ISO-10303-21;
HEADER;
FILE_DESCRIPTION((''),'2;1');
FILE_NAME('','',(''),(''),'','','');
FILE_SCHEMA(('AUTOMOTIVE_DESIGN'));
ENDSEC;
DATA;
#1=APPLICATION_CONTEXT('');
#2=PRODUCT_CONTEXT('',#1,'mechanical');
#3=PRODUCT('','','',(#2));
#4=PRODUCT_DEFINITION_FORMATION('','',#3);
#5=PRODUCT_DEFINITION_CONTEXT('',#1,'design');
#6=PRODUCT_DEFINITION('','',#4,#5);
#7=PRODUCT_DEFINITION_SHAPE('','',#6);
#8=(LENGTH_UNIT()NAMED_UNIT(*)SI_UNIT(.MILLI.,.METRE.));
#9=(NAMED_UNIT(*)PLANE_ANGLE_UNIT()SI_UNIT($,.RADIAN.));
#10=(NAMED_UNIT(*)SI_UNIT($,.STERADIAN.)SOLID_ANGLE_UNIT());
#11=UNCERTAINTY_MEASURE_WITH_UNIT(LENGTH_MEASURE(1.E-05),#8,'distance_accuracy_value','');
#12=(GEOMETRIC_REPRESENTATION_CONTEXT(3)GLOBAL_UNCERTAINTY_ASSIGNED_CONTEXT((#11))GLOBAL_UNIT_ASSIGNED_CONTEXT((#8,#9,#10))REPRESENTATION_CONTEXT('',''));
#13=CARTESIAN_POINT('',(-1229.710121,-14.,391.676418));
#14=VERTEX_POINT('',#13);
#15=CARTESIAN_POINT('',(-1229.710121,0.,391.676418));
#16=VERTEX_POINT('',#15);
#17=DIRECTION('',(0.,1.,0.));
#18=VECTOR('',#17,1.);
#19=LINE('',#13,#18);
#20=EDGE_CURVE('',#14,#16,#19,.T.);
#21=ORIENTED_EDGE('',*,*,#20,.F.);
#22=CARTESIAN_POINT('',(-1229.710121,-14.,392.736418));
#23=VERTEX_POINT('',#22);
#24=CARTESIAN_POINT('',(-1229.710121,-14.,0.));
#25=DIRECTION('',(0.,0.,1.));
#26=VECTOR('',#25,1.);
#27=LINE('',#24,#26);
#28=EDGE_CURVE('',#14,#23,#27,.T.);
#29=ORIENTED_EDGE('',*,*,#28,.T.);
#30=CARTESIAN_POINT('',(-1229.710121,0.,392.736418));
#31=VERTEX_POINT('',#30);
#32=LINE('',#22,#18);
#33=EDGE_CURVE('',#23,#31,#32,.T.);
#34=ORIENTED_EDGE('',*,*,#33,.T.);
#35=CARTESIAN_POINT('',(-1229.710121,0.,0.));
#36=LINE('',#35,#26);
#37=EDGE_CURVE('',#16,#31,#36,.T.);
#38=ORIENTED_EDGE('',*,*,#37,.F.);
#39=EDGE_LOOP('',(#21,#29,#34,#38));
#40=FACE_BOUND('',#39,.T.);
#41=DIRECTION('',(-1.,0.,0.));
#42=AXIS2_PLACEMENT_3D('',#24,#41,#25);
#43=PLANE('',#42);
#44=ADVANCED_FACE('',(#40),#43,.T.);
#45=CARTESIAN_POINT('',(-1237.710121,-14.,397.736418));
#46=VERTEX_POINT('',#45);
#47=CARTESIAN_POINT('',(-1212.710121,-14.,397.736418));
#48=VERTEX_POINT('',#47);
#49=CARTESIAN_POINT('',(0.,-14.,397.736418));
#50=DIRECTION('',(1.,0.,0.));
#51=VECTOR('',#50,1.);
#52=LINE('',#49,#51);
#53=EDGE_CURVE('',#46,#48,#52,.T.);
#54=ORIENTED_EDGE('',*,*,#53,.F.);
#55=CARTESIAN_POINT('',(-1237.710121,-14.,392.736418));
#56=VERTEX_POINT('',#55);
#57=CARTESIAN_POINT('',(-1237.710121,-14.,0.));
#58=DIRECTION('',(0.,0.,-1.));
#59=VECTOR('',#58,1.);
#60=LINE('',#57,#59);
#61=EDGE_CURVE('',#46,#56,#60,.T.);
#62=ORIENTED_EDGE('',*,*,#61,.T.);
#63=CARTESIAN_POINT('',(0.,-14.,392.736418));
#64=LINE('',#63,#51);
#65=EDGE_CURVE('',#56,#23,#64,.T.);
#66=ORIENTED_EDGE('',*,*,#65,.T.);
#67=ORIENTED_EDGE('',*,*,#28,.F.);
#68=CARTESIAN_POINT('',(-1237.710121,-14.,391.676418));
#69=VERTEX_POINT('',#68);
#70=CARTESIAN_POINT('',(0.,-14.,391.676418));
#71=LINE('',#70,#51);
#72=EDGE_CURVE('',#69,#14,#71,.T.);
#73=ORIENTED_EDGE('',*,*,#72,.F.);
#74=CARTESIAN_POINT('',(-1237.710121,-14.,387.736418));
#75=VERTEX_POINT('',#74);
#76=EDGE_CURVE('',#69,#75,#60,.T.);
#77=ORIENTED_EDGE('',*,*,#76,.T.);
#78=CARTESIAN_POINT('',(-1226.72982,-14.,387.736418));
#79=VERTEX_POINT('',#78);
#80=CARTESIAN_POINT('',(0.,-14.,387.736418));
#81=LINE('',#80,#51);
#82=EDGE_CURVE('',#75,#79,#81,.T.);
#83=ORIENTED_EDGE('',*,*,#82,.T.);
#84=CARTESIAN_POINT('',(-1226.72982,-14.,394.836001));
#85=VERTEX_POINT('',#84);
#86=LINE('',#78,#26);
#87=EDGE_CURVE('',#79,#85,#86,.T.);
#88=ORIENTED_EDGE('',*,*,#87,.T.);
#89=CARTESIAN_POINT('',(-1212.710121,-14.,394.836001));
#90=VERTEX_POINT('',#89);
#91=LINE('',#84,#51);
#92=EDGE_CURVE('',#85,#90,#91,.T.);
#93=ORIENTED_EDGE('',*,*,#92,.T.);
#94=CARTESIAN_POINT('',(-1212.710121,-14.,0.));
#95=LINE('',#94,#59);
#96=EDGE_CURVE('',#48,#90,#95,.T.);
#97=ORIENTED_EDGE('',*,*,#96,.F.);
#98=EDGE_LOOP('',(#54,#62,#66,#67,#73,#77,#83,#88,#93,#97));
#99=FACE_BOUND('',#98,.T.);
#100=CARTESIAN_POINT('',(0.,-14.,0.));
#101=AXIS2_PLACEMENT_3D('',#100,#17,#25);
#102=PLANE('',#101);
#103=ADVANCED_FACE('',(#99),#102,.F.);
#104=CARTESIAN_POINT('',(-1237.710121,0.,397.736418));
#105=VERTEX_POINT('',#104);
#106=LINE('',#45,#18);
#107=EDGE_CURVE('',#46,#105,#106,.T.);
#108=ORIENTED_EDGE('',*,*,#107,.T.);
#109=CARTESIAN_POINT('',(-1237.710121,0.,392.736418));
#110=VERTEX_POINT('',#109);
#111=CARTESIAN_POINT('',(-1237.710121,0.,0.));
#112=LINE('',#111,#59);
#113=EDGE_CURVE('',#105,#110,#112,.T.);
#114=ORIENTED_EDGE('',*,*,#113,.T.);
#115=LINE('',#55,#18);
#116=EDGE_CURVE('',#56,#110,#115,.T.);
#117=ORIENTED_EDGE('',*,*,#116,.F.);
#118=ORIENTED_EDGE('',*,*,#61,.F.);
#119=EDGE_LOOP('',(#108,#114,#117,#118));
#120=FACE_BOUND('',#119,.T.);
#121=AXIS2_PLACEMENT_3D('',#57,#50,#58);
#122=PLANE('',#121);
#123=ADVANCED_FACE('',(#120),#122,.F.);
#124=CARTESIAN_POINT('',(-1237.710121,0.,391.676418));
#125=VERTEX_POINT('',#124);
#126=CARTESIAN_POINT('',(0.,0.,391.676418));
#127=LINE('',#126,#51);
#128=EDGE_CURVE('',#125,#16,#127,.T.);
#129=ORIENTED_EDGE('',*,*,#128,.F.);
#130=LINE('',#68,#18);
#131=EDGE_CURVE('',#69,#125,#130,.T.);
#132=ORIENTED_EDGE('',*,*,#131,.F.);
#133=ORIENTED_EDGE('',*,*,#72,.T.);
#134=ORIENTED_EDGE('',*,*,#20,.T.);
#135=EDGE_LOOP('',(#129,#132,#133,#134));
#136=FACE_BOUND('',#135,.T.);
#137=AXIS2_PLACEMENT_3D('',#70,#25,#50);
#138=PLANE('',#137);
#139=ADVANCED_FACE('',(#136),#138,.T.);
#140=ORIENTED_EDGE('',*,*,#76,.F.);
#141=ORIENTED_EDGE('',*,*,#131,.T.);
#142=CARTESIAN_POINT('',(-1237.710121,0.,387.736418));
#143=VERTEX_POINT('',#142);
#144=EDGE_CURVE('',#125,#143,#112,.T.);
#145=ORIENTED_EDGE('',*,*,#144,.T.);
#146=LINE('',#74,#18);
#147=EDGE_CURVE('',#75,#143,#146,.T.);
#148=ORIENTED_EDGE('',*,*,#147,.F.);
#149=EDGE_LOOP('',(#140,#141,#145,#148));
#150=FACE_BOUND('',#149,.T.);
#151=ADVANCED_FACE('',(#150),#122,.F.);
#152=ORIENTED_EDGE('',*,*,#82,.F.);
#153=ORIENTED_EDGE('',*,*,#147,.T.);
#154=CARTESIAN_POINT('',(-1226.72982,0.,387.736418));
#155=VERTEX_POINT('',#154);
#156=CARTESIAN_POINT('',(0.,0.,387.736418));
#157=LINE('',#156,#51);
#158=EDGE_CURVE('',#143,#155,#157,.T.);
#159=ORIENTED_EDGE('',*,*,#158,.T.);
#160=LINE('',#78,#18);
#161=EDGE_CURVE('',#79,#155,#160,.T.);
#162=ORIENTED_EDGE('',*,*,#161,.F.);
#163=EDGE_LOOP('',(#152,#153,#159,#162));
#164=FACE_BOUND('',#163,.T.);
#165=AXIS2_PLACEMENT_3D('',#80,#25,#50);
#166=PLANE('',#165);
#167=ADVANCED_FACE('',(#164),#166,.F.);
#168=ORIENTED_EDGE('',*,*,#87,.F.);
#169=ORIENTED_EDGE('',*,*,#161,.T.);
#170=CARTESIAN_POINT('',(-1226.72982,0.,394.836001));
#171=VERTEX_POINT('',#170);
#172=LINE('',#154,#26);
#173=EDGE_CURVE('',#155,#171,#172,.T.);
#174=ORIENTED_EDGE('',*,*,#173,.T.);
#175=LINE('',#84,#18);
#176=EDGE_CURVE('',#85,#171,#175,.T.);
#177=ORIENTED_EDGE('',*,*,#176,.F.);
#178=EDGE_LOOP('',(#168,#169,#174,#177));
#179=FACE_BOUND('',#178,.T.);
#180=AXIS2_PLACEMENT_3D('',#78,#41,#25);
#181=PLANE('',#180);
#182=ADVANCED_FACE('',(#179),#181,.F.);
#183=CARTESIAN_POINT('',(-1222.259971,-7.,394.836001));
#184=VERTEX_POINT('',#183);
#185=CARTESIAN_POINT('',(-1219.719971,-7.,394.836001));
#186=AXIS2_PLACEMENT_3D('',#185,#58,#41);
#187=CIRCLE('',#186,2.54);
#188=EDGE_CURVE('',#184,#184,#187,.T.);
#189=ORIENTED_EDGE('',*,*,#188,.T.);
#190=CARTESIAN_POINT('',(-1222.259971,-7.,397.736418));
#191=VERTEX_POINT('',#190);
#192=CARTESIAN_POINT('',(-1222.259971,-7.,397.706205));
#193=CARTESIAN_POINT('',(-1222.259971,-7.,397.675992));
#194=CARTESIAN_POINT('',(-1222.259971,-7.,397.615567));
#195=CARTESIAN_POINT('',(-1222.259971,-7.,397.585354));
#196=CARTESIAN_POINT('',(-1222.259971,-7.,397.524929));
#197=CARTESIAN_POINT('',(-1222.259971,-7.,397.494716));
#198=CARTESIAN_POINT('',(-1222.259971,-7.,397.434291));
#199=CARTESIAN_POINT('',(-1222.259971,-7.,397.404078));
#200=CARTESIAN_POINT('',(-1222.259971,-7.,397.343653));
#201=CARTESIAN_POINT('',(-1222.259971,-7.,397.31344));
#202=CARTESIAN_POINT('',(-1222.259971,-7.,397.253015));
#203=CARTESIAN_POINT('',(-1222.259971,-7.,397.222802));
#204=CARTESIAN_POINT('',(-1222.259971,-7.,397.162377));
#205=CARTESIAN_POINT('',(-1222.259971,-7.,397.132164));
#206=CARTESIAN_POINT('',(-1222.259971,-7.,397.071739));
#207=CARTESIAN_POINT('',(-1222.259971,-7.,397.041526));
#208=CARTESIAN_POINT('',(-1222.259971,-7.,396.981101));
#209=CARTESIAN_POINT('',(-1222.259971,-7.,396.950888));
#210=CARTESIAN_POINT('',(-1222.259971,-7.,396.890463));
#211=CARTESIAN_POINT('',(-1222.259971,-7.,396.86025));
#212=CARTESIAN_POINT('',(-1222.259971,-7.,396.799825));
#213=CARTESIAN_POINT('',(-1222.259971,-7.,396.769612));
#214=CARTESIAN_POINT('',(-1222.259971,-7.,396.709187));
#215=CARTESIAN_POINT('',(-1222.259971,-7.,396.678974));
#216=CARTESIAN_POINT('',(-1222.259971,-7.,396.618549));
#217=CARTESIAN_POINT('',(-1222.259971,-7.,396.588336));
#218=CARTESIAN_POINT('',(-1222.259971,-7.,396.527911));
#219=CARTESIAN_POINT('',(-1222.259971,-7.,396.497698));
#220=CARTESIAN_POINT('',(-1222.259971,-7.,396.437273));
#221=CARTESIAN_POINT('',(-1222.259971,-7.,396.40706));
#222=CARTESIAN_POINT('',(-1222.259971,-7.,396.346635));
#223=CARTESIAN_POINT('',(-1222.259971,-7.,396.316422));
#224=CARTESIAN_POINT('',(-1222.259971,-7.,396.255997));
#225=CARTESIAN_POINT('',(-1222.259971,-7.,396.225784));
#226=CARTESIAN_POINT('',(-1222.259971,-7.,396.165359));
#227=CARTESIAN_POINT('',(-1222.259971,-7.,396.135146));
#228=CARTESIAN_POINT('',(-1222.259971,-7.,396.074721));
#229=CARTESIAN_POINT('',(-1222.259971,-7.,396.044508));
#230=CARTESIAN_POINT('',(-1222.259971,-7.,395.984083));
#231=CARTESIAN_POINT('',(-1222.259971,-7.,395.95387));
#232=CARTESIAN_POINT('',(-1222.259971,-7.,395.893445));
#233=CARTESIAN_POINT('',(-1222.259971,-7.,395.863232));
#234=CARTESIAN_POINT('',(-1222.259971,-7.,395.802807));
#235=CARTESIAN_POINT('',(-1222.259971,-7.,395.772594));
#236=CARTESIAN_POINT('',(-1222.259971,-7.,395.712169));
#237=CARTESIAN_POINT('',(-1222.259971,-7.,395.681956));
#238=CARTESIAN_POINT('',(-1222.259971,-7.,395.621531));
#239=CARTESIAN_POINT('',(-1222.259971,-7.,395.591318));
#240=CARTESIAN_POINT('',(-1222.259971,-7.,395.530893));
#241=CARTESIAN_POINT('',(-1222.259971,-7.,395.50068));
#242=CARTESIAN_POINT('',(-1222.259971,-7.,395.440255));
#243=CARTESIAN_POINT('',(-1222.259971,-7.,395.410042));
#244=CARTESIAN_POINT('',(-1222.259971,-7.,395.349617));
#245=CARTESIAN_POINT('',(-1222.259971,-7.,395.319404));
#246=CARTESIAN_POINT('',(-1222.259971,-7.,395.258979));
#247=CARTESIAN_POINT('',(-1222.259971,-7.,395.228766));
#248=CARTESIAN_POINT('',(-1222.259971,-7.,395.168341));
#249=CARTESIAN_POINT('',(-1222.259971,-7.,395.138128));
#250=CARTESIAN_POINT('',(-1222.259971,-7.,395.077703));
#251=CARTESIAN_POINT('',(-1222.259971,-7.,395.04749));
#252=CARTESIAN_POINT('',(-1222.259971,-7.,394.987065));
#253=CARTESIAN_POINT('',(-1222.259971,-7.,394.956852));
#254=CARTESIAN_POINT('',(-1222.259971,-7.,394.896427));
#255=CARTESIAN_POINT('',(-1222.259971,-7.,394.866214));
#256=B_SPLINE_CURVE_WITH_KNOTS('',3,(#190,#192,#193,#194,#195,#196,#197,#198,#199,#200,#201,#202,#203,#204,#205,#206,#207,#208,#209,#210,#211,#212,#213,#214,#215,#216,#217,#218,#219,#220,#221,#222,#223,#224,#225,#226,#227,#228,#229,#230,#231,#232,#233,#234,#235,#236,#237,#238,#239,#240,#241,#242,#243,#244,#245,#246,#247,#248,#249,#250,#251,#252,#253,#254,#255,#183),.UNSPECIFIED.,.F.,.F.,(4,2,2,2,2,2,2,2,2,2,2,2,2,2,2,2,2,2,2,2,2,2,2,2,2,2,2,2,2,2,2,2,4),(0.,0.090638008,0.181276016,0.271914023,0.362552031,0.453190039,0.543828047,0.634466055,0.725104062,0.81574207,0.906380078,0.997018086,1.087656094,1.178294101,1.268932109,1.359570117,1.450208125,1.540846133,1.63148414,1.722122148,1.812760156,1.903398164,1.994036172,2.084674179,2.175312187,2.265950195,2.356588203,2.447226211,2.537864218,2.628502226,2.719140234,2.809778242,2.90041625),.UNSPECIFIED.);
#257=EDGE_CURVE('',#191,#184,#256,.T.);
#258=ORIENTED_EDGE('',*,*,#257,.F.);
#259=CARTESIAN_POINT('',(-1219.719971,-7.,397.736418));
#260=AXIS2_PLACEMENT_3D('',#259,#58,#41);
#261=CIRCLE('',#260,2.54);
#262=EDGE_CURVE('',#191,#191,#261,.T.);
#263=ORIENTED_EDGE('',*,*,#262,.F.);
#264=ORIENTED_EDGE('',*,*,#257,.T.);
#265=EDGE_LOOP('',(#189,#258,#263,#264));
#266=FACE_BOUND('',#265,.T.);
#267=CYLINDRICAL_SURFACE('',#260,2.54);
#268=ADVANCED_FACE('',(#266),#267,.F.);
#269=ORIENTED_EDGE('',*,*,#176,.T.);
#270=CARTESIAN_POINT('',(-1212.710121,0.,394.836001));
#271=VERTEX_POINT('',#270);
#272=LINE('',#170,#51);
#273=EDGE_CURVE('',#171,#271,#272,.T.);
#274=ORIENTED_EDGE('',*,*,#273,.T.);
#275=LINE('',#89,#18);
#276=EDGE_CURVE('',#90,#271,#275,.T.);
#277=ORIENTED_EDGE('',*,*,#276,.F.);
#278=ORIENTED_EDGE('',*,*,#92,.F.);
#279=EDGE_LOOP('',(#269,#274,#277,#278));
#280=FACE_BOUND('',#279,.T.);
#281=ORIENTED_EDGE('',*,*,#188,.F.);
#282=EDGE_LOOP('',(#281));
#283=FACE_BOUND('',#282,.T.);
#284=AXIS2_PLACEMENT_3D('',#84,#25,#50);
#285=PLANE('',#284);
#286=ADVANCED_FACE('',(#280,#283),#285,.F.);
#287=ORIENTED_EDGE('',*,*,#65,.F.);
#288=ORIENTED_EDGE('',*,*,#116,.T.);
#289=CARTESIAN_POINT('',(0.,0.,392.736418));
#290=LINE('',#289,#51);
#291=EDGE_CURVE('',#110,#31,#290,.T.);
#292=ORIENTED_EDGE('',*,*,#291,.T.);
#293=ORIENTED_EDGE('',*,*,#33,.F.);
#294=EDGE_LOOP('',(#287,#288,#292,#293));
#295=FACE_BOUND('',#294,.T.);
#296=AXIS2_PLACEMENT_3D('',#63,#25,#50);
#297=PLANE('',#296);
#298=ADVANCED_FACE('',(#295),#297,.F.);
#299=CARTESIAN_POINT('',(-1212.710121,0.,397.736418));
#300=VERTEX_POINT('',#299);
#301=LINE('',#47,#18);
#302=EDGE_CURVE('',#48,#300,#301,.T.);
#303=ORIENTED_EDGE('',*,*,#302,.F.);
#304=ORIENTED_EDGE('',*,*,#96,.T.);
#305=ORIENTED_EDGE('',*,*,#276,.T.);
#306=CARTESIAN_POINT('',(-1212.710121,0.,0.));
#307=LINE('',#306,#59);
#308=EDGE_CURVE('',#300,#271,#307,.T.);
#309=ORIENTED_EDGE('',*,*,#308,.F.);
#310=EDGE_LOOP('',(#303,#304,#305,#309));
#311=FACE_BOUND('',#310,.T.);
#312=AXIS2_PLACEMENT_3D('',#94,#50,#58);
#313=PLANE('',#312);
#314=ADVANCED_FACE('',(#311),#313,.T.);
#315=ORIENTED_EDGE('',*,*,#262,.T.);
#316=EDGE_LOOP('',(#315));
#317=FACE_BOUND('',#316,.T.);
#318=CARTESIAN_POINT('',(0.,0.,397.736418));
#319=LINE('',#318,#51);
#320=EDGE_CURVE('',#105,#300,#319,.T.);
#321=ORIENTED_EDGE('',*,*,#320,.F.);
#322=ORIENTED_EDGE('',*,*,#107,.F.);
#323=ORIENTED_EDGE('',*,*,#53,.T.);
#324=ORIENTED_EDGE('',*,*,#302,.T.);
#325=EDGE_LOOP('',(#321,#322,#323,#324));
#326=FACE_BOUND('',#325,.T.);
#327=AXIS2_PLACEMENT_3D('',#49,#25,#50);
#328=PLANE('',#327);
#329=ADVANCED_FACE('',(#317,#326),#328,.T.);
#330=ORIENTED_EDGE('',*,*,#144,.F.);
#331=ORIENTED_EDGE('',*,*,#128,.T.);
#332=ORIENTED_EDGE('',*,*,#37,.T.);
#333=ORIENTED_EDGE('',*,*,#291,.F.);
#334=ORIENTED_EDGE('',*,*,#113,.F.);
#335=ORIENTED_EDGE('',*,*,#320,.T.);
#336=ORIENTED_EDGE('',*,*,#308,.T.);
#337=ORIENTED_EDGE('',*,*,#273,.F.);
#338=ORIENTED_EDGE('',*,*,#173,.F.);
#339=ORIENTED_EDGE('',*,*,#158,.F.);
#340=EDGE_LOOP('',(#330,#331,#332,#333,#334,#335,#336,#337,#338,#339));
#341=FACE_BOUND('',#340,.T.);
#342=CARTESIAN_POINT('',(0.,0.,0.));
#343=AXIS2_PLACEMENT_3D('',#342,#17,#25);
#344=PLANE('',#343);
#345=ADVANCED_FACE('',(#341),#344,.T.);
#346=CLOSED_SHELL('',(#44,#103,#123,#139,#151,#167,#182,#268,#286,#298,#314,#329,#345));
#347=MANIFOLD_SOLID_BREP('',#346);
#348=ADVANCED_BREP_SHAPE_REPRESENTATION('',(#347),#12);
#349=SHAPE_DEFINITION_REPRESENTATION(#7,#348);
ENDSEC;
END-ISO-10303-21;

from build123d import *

# Parameters (mm, degrees)
BOSS_EXTRUDE1_DEPTH = 14
SKETCH2_W           = 14.019698715
SKETCH2_H           = 7.099583751
CUT_EXTRUDE1_DEPTH  = 1301.121764584
SKETCH4_R           = 2.54
CUT_EXTRUDE2_DEPTH  = 1238.809657762


with BuildPart() as part:
    # Sketch1 → Boss-Extrude1 (new body)
    with BuildSketch(Plane(origin=(0, 0, 0), x_dir=(1, 0, 0), z_dir=(0, 1, 0))):
        Polygon((-1237.710121457, -392.736417727), (-1237.710121457, -397.736417727), (-1212.710121457, -397.736417727), (-1212.710121457, -387.736417727), (-1237.710121457, -387.736417727), (-1237.710121457, -391.676417727), (-1229.710121457, -391.676417727), (-1229.710121457, -392.736417727), align=None)
    extrude(amount=-BOSS_EXTRUDE1_DEPTH)

    # Sketch2 → Cut-Extrude1 (cut, through all)
    with BuildSketch(Plane(origin=(0, 0, 0), x_dir=(1, 0, 0), z_dir=(0, 1, 0))):
        with Locations((-1219.719970814, -391.286209602)):
            Rectangle(SKETCH2_W, SKETCH2_H)
    extrude(amount=-CUT_EXTRUDE1_DEPTH, mode=Mode.SUBTRACT)

    # Sketch4 → Cut-Extrude2 (cut, through all)
    with BuildSketch(Plane(origin=(0, 0, 394.836001478), x_dir=(-1, 0, 0), z_dir=(0, 0, -1))):
        with Locations((1219.719970815, -7)):
            Circle(SKETCH4_R)
    extrude(amount=-CUT_EXTRUDE2_DEPTH, mode=Mode.SUBTRACT)


solid = part.part
